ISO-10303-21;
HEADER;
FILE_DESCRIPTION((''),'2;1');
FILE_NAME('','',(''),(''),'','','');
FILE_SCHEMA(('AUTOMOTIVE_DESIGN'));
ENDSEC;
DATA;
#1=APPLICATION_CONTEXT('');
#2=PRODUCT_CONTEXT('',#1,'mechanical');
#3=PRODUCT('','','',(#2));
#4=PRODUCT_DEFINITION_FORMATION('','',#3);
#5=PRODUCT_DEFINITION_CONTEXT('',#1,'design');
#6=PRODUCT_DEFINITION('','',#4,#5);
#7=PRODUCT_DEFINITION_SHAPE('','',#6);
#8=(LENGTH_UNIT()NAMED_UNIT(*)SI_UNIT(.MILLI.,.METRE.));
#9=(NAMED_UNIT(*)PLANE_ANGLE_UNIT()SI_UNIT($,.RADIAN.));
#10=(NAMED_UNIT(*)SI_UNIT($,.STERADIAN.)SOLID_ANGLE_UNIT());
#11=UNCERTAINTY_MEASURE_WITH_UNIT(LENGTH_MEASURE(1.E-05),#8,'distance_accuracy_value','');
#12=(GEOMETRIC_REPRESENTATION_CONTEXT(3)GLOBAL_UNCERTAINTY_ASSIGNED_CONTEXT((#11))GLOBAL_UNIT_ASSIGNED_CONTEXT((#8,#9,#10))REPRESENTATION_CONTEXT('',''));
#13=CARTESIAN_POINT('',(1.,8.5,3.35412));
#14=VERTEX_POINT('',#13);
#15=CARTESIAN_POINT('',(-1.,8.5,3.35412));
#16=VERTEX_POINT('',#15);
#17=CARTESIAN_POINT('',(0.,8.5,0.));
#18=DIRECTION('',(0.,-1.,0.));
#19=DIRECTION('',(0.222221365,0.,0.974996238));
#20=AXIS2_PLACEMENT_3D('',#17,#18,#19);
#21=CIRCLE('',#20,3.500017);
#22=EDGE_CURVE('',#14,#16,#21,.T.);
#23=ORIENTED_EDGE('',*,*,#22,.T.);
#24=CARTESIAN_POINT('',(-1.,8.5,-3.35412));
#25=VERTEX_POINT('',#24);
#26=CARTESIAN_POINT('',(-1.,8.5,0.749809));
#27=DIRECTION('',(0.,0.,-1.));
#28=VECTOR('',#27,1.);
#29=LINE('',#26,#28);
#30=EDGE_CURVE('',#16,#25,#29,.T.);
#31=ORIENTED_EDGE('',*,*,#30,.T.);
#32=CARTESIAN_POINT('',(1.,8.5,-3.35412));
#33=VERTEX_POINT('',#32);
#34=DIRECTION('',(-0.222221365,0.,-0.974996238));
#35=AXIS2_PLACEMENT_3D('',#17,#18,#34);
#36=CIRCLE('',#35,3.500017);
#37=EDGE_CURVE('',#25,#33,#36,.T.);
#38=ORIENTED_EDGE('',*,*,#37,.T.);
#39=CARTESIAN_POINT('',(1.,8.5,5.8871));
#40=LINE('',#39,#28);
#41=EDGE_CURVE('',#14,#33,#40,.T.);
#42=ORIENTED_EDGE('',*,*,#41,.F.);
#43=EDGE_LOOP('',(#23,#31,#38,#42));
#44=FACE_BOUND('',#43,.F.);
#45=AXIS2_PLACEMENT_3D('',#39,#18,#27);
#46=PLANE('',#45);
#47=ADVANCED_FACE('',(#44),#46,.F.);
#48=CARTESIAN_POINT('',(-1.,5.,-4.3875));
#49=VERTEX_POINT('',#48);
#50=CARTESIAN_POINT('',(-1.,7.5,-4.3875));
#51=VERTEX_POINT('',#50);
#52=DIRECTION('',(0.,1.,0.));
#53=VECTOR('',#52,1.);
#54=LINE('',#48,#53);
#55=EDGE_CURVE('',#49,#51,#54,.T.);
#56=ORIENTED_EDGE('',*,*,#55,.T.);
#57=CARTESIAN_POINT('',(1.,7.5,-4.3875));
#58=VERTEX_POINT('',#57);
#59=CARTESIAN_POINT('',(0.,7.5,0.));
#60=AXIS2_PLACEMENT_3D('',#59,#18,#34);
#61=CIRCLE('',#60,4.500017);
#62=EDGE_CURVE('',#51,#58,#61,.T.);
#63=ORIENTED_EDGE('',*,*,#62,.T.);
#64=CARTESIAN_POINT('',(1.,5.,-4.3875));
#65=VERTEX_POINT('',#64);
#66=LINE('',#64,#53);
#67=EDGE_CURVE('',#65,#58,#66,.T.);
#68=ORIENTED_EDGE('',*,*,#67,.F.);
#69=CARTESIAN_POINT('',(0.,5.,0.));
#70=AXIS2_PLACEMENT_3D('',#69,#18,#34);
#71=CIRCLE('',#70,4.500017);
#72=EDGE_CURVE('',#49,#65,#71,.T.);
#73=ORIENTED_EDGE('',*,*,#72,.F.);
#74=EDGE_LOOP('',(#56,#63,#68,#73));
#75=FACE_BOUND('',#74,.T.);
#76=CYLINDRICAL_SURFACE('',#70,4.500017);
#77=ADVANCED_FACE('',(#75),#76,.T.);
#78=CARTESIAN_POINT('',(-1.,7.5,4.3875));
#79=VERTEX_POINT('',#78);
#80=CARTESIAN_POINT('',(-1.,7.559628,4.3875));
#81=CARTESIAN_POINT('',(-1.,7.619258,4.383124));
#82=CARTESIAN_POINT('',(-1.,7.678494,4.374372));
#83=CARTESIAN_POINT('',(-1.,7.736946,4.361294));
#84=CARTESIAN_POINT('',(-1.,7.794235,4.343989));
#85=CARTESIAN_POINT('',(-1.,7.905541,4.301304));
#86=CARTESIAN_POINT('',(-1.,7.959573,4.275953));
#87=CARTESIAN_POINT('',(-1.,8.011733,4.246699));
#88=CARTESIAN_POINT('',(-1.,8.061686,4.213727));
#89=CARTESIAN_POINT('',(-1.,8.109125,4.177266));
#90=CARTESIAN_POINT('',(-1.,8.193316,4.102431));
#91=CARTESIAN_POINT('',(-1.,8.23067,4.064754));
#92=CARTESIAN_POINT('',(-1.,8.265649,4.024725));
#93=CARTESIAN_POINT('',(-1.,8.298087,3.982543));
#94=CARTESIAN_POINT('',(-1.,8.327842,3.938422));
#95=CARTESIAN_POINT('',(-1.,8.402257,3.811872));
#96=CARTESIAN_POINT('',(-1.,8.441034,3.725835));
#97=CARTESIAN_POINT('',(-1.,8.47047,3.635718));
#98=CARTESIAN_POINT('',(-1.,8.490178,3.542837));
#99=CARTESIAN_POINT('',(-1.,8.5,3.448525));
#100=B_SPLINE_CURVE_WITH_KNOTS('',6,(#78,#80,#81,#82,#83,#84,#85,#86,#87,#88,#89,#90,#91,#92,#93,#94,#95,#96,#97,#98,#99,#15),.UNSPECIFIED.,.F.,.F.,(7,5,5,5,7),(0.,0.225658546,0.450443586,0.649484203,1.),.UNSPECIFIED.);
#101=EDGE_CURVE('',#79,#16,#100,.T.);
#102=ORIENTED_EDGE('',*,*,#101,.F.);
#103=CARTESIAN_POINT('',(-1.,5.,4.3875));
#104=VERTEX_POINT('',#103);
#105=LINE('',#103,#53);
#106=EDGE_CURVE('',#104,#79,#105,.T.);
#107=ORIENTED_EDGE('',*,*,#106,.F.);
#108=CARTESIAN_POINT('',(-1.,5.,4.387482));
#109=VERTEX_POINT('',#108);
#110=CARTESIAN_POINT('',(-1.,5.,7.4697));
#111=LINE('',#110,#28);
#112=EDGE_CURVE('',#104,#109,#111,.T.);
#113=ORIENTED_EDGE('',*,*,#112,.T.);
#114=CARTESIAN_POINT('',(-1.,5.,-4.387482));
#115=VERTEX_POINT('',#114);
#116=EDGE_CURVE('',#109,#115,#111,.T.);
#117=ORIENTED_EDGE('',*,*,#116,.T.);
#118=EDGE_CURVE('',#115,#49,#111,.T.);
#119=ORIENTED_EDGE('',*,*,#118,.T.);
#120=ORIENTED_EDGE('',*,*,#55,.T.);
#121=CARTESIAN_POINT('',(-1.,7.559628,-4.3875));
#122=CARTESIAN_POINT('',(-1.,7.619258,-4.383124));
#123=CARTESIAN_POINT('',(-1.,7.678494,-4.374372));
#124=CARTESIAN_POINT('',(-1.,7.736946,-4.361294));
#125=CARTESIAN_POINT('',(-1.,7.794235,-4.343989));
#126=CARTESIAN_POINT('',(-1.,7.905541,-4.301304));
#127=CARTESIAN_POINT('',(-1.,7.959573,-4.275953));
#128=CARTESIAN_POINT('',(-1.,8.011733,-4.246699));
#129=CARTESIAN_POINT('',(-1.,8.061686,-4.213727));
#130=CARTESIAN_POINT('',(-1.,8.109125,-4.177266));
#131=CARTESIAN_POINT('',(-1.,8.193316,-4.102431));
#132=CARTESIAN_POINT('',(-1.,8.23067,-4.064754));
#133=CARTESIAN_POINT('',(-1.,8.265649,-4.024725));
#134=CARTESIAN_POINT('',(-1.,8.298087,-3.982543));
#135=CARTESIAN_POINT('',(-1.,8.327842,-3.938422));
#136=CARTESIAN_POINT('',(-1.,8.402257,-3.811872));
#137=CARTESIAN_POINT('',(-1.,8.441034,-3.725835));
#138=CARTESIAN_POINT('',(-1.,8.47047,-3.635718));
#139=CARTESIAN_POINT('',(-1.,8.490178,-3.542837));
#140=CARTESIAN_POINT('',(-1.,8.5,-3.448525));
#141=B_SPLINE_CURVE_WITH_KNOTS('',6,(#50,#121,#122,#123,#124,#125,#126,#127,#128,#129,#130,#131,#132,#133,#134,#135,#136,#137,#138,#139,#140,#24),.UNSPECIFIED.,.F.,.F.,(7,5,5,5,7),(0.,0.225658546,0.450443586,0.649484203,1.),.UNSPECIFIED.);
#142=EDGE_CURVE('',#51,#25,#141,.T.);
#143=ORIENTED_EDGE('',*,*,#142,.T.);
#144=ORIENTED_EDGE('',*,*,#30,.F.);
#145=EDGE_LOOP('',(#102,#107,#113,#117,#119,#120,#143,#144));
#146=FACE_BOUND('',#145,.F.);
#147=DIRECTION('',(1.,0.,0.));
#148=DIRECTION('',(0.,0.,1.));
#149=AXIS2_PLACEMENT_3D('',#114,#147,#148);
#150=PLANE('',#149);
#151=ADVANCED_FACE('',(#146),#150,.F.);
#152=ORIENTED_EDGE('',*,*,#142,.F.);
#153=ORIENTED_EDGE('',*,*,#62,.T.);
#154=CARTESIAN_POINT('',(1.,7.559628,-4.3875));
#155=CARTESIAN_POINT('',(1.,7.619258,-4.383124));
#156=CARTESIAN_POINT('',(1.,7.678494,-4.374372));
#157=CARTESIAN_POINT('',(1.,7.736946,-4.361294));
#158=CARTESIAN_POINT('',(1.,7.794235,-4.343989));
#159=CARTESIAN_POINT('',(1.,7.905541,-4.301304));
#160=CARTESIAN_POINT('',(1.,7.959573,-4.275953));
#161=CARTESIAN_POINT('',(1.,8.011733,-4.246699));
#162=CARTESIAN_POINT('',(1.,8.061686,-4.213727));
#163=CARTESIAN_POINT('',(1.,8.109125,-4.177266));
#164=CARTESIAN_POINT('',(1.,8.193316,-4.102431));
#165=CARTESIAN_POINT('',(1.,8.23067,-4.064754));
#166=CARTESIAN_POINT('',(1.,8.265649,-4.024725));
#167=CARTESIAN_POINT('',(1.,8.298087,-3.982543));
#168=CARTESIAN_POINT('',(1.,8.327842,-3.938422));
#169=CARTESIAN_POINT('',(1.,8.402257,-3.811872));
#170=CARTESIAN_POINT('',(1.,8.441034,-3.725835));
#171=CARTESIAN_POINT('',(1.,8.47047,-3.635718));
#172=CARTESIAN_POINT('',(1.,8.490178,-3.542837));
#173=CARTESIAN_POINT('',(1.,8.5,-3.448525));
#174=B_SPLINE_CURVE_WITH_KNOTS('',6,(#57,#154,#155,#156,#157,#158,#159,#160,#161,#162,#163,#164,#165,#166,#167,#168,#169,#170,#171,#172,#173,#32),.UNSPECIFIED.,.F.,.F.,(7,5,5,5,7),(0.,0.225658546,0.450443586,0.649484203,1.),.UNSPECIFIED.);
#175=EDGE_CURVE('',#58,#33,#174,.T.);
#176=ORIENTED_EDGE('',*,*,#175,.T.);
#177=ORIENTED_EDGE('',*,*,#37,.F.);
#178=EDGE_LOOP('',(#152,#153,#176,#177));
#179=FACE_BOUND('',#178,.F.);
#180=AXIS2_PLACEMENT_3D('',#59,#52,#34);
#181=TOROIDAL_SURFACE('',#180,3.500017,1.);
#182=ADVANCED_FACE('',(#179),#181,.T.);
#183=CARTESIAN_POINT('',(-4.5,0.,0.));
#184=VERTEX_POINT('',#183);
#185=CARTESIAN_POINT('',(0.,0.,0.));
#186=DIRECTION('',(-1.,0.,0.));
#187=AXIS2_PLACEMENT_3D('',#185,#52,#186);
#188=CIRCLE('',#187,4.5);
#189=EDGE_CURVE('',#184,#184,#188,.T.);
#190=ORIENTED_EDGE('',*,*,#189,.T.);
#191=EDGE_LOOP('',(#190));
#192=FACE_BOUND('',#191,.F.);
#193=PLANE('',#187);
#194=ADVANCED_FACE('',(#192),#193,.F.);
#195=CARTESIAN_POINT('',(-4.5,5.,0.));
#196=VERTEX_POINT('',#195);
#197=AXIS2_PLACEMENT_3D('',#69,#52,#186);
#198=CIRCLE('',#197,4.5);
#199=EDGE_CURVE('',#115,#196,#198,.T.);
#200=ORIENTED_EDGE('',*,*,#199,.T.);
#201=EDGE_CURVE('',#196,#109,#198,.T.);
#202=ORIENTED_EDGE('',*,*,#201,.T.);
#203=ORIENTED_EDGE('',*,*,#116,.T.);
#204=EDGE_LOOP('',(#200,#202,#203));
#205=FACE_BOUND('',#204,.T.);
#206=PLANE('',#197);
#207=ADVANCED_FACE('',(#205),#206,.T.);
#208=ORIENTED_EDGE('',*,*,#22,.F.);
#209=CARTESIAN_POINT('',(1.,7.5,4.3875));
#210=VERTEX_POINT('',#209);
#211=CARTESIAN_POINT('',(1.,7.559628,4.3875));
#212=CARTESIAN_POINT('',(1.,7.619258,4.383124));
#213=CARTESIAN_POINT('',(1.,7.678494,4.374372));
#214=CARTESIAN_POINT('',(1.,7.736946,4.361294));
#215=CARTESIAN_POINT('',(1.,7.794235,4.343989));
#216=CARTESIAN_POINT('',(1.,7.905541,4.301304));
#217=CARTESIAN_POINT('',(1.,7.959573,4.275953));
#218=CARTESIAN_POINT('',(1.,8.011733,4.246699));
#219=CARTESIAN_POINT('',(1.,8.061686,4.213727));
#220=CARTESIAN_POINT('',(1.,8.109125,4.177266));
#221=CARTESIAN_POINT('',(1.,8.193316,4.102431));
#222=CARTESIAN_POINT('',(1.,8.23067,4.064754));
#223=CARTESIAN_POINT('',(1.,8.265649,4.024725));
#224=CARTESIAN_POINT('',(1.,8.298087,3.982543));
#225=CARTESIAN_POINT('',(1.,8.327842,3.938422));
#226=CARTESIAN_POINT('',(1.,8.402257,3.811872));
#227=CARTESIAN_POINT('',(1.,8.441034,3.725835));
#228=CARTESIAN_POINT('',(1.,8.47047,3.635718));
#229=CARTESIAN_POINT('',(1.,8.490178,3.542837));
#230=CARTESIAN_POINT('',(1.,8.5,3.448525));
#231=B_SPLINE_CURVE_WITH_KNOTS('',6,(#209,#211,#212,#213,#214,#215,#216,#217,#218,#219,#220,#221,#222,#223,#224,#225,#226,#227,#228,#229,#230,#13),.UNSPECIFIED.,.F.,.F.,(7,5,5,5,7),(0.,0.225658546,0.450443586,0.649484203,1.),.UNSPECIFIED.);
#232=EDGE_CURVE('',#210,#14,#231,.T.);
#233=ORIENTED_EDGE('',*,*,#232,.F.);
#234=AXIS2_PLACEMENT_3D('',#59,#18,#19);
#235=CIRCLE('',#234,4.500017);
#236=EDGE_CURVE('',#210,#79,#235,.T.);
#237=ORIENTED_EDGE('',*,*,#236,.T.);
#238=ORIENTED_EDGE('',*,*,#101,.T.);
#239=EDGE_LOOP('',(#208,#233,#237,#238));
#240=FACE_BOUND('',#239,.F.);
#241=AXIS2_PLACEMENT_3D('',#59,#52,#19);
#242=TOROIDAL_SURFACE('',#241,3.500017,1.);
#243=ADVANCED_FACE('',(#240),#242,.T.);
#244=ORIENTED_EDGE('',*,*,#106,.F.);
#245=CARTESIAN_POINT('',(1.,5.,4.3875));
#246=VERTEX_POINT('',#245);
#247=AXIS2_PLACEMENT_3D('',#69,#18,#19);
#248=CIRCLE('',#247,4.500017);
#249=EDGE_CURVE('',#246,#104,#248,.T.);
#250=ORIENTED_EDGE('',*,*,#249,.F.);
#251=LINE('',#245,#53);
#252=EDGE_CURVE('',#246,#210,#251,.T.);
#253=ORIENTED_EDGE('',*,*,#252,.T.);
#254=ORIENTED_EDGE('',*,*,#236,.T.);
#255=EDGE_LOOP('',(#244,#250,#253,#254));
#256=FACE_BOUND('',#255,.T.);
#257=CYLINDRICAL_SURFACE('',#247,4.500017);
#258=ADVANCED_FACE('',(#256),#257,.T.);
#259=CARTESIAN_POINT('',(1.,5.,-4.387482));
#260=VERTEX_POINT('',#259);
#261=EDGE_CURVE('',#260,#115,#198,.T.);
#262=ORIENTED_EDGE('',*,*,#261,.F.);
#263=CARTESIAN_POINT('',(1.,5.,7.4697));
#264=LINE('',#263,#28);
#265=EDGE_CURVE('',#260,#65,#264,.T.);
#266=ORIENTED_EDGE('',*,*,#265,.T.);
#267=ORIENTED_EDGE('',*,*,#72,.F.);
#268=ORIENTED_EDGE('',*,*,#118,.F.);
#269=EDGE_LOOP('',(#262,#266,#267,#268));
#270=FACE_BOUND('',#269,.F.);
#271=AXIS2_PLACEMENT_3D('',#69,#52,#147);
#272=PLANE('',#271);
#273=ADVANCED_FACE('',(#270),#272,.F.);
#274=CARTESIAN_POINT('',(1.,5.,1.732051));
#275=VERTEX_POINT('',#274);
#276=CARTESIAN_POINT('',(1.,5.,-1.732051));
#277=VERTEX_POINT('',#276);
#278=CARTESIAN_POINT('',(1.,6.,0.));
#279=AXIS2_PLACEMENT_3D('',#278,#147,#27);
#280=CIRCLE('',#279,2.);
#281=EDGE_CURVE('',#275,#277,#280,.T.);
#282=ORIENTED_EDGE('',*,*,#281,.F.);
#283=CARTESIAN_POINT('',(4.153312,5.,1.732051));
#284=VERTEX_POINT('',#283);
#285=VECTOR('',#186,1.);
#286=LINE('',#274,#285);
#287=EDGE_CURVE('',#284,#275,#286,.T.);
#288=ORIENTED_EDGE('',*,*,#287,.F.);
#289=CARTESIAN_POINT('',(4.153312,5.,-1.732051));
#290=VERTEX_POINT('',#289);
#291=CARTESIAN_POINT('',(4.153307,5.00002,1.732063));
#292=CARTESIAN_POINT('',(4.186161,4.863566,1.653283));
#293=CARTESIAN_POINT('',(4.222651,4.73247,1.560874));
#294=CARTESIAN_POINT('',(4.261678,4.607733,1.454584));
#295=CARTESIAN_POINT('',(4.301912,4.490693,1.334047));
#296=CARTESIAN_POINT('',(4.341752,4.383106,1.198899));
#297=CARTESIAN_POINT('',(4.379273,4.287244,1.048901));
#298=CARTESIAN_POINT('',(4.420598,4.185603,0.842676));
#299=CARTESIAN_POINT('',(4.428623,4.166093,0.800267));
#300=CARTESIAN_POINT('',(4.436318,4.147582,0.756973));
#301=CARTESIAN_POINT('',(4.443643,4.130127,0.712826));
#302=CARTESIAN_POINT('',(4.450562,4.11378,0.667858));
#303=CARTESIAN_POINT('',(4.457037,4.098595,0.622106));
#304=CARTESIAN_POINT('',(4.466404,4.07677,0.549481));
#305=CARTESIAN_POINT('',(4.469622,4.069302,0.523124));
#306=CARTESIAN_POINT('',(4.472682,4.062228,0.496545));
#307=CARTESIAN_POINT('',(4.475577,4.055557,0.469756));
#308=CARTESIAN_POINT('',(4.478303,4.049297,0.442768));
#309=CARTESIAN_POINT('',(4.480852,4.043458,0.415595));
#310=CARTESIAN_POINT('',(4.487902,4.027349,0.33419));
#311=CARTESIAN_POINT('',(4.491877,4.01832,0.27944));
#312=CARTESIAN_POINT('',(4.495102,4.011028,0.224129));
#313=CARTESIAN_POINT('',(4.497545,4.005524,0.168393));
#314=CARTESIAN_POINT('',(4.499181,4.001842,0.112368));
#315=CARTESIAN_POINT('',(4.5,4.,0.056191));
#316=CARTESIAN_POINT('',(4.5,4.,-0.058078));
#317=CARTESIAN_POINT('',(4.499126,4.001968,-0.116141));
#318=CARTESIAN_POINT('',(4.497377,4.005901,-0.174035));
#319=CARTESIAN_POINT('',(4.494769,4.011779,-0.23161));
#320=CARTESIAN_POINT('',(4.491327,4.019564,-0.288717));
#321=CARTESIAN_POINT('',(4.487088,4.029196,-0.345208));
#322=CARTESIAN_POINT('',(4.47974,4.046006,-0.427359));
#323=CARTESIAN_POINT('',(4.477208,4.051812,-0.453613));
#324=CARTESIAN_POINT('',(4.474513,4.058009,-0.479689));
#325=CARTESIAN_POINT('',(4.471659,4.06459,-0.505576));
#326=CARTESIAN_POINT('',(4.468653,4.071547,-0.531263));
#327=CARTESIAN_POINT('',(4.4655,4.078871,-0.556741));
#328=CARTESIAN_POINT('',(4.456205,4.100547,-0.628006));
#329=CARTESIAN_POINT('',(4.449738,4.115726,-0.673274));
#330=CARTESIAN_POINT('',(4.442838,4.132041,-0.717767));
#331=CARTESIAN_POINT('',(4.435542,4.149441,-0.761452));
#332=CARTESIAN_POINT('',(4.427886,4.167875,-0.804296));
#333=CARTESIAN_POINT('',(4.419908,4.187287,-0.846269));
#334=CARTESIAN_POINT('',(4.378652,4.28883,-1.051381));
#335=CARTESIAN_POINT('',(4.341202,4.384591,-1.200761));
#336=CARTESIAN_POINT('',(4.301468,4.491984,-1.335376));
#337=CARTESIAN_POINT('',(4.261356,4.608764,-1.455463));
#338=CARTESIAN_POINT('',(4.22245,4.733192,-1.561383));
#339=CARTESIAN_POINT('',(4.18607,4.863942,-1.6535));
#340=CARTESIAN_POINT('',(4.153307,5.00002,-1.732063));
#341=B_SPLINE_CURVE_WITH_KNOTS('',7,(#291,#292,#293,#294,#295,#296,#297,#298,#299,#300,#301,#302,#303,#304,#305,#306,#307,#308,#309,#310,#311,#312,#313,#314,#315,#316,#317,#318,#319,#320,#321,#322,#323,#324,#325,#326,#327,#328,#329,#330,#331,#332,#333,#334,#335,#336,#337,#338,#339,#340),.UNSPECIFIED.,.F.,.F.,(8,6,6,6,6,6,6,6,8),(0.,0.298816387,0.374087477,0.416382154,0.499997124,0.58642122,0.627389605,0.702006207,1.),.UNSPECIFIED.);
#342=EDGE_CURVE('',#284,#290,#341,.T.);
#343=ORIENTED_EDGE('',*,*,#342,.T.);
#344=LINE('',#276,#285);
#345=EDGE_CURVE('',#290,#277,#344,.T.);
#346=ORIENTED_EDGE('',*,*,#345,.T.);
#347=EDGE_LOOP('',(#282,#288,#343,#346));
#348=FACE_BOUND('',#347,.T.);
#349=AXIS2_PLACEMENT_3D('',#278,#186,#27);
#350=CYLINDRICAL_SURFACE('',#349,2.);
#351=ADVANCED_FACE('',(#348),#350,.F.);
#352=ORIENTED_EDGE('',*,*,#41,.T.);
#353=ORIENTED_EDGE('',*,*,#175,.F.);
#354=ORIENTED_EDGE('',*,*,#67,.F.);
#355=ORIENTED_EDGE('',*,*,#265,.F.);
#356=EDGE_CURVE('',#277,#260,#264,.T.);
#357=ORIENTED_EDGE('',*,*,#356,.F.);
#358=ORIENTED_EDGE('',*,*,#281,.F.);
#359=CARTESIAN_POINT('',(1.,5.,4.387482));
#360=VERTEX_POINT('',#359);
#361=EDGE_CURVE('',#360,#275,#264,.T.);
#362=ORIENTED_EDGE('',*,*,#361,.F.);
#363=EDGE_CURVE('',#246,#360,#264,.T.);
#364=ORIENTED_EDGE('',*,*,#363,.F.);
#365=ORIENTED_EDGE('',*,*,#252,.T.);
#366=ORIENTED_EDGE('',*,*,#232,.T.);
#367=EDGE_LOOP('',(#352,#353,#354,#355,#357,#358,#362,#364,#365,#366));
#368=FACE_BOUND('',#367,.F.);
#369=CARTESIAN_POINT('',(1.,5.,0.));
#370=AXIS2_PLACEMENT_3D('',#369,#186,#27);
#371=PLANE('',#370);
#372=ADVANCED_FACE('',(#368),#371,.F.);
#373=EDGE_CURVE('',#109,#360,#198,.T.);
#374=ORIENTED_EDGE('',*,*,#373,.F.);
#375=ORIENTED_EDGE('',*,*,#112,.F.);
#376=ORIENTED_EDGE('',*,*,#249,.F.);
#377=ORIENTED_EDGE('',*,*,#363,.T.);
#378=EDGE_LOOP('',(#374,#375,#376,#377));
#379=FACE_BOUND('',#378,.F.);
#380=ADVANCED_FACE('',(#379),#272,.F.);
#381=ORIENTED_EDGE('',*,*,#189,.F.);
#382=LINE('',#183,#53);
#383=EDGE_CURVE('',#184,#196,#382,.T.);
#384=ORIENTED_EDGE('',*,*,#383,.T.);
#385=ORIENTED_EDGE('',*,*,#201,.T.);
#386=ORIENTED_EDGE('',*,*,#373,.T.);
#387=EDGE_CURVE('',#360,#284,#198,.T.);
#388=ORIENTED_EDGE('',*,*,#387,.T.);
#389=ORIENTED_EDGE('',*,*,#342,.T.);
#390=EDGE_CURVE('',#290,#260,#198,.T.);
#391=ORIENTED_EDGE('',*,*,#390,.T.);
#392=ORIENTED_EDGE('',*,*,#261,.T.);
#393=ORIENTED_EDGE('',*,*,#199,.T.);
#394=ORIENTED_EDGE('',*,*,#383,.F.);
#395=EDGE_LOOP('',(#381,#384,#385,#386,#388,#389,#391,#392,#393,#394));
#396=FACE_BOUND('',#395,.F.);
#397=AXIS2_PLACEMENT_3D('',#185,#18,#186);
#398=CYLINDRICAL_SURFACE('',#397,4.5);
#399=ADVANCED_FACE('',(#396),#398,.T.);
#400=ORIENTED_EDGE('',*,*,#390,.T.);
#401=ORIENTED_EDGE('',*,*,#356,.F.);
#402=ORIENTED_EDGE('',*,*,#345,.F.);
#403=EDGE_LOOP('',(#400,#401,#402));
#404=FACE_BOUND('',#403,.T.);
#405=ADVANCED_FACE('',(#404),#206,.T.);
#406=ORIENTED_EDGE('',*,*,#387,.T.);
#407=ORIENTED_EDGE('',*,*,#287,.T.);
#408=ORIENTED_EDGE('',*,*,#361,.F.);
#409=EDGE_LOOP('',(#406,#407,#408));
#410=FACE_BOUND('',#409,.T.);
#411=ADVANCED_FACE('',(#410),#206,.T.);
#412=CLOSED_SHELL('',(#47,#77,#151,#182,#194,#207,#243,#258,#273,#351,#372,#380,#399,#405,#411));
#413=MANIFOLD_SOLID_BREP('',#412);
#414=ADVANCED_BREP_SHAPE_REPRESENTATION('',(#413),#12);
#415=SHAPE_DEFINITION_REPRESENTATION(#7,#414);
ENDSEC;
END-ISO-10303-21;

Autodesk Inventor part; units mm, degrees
ref_plane "YZ Plane" through (0, 0, 0) normal (1, 0, 0) x (0, 1, 0)
ref_plane "XZ Plane" through (0, 0, 0) normal (0, 1, 0) x (-1, 0, 0)
ref_plane "XY Plane" through (0, 0, 0) normal (0, 0, 1) x (1, 0, 0)
sketch "Sketch1" plane through (0, 0, 0) normal (0, 1, 0) x (-1, 0, 0)
  circle A0 centre (0, 0) radius 4.5
  dimension "d0" = 9
extrude "Extrusion1" add sketch "Sketch1" along normal blind 5
sketch "Sketch2" plane through (0, 5, 0) normal (0, 1, 0) x (1, 0, 0)
  circle A0 centre (0, 0) radius 4.5 projected
  line L0 (0, 0) -> (-1, 0)
  line L1 (-1, 0) -> (1, 0)
  line L2 (1, 0) -> (1, 8.5977)
  line L3 (1, 8.5977) -> (-1, 8.5977)
  line L4 (-1, 8.5977) -> (-1, -7.4697)
  line L5 (-1, -7.4697) -> (1, -7.4697)
  line L6 (1, -7.4697) -> (1, 8.5977)
  dimension "d4" = 1
  dimension "d5" = 2
extrude "Extrusion2" add sketch "Sketch2" along normal blind 5 contours L2 L1 L0 L4 A0 | A0 L4 L3 L2 | L6 L5 L4 A0 | A0 L4 L0 L1 L6
sketch "Sketch3" plane through (0, 5, 0) normal (0, -1, 0) x (1, 0, 0)
  arc A0 (1, 4.3875) -> (-1, 4.3875) centre (0, 0) ccw projected
  line L0 (1, 7.4697) -> (1, 4.3875) projected
  line L1 (-1, 7.4697) -> (1, 7.4697) projected
  line L2 (-1, 4.3875) -> (-1, 7.4697) projected
  arc A1 (-1, -4.3875) -> (1, -4.3875) centre (0, 0) ccw projected
  line L3 (-1, -8.5977) -> (-1, -4.3875) projected
  line L4 (1, -8.5977) -> (-1, -8.5977) projected
  line L5 (1, -4.3875) -> (1, -8.5977) projected
extrude "Extrusion3" cut sketch "Sketch3" against normal blind 5
sketch "Sketch7" plane through (1, 5, 4.3875) normal (1, 0, 0) x (0, 0, -1)
  line L0 (4.3875, 2) -> (4.3875, 1)
  circle A0 centre (4.3875, 1) radius 2
  point P0 (4.3875, -5)
  dimension "d20" = 1
  dimension "d21" = 4
extrude "Extrusion7" cut sketch "Sketch7" along normal blind 25.4
sketch "Sketch8" plane through (1, 5, -4.3875) normal (1, 0, 0) x (0, 0, -1)
  line L0 (0, 5) -> (-8.775, 5) projected
  line L1 (0, 5) -> (-8.775, 5)
  line L2 (-8.775, 5) -> (-10.2746, 5)
  line L3 (-10.2746, 5) -> (-10.2746, 3.5)
  line L4 (-10.2746, 3.5) -> (1.1183, 3.5)
  line L5 (1.1183, 3.5) -> (1.1183, 5)
  line L6 (1.1183, 5) -> (0, 5)
  point P0 (-4.3875, -5)
  dimension "d24" = 1.5
extrude "Extrusion8" cut sketch "Sketch8" against normal blind 25.4
fillet "Fillet2" radius 1 2 edges at (0, 8.5, 4.5) (0, 8.5, -4.5)
properties part number "PistonCylinder"
